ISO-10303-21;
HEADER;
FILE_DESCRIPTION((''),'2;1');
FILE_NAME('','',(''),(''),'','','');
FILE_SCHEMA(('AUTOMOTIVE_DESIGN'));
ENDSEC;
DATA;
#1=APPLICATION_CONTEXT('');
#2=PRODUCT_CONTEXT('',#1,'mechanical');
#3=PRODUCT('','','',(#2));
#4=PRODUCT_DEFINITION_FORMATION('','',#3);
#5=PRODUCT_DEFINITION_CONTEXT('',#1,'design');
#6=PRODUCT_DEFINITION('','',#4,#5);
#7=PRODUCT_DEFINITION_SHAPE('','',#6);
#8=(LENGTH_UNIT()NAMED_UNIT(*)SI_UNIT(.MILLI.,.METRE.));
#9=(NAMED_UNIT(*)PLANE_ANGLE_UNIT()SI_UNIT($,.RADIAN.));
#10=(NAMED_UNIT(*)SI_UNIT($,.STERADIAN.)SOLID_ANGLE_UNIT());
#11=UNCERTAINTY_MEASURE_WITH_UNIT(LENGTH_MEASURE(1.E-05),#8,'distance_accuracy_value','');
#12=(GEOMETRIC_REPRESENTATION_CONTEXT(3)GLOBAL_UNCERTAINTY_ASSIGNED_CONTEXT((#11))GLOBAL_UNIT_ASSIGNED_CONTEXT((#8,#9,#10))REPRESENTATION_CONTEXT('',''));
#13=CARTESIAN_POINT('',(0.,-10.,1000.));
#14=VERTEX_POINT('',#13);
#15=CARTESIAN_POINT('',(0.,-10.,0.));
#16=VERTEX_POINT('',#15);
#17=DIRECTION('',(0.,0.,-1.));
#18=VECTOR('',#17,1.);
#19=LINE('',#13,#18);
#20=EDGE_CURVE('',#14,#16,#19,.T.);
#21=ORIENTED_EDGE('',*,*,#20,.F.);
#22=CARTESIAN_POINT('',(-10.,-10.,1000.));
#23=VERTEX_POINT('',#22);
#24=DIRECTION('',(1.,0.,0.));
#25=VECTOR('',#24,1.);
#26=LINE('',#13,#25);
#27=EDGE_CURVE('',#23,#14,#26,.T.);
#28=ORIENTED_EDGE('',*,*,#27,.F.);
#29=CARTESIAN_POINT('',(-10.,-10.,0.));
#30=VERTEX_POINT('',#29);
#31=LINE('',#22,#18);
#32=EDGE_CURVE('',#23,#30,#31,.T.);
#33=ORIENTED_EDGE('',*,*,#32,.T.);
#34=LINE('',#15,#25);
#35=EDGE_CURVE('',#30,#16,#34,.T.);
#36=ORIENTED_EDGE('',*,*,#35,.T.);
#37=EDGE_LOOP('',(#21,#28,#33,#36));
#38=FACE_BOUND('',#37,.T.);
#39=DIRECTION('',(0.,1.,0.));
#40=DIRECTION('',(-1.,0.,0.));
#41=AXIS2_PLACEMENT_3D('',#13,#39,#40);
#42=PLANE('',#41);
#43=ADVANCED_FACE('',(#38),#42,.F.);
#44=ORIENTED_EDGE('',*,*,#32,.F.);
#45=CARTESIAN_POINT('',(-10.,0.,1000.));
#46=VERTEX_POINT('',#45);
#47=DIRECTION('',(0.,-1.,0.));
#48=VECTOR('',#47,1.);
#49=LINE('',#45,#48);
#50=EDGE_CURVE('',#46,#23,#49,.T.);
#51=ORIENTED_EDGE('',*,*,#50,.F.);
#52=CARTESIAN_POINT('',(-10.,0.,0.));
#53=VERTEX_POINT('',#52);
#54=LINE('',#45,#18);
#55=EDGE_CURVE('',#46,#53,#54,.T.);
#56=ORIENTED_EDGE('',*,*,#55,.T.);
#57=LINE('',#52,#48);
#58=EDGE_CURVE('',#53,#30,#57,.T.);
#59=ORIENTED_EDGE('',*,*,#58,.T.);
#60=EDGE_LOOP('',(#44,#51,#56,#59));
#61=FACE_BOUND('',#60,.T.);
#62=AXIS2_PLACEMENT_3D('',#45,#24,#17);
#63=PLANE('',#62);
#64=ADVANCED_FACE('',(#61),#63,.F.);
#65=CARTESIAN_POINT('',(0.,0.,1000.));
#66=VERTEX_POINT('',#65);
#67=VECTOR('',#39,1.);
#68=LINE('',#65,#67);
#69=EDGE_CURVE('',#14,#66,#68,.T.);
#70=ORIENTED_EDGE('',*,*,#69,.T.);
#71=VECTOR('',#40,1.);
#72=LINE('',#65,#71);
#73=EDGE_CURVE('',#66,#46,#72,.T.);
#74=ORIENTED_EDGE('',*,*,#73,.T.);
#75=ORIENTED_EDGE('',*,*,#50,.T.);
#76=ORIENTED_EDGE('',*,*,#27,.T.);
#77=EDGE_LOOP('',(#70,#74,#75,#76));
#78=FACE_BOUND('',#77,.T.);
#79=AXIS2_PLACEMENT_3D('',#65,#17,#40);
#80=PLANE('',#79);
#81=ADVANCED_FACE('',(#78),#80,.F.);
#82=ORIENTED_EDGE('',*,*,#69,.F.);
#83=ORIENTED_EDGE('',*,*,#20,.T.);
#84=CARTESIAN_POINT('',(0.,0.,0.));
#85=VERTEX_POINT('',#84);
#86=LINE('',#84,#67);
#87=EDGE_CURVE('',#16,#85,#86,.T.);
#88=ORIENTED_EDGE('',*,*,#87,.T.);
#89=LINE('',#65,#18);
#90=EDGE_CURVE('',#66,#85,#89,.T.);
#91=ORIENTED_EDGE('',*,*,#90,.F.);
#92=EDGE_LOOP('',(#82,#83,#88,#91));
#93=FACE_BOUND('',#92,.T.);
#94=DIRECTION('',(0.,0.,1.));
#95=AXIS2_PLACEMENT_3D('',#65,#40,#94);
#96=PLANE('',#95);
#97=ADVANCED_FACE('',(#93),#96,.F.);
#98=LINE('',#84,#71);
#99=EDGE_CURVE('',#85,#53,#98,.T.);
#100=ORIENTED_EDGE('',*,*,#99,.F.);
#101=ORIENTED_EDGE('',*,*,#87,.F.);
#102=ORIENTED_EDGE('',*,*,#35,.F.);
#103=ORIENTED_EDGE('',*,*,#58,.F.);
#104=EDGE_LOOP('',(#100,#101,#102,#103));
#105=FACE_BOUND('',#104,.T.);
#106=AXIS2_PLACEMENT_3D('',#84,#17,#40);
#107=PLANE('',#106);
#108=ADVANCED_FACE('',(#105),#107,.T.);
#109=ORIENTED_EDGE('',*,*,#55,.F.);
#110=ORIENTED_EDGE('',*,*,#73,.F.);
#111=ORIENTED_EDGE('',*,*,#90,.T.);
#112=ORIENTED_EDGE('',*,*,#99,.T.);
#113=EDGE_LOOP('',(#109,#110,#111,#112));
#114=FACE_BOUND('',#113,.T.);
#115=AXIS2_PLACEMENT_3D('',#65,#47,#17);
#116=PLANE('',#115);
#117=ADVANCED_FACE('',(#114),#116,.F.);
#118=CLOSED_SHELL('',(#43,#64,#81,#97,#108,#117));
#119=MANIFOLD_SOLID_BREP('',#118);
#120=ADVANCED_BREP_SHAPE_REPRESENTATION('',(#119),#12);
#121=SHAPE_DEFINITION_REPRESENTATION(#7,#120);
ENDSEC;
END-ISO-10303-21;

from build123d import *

# Parameters (mm, degrees)
SKETCH_1_W      = 10
SKETCH_1_H      = 10
EXTRUDE_1_DEPTH = 1000


with BuildPart() as part:
    # ｽｹｯﾁ1 → ﾎﾞｽ - 押し出し1 (new body)
    with BuildSketch(Plane.XY):
        with Locations((-5, -5)):
            Rectangle(SKETCH_1_W, SKETCH_1_H)
    extrude(amount=EXTRUDE_1_DEPTH)


solid = part.part
